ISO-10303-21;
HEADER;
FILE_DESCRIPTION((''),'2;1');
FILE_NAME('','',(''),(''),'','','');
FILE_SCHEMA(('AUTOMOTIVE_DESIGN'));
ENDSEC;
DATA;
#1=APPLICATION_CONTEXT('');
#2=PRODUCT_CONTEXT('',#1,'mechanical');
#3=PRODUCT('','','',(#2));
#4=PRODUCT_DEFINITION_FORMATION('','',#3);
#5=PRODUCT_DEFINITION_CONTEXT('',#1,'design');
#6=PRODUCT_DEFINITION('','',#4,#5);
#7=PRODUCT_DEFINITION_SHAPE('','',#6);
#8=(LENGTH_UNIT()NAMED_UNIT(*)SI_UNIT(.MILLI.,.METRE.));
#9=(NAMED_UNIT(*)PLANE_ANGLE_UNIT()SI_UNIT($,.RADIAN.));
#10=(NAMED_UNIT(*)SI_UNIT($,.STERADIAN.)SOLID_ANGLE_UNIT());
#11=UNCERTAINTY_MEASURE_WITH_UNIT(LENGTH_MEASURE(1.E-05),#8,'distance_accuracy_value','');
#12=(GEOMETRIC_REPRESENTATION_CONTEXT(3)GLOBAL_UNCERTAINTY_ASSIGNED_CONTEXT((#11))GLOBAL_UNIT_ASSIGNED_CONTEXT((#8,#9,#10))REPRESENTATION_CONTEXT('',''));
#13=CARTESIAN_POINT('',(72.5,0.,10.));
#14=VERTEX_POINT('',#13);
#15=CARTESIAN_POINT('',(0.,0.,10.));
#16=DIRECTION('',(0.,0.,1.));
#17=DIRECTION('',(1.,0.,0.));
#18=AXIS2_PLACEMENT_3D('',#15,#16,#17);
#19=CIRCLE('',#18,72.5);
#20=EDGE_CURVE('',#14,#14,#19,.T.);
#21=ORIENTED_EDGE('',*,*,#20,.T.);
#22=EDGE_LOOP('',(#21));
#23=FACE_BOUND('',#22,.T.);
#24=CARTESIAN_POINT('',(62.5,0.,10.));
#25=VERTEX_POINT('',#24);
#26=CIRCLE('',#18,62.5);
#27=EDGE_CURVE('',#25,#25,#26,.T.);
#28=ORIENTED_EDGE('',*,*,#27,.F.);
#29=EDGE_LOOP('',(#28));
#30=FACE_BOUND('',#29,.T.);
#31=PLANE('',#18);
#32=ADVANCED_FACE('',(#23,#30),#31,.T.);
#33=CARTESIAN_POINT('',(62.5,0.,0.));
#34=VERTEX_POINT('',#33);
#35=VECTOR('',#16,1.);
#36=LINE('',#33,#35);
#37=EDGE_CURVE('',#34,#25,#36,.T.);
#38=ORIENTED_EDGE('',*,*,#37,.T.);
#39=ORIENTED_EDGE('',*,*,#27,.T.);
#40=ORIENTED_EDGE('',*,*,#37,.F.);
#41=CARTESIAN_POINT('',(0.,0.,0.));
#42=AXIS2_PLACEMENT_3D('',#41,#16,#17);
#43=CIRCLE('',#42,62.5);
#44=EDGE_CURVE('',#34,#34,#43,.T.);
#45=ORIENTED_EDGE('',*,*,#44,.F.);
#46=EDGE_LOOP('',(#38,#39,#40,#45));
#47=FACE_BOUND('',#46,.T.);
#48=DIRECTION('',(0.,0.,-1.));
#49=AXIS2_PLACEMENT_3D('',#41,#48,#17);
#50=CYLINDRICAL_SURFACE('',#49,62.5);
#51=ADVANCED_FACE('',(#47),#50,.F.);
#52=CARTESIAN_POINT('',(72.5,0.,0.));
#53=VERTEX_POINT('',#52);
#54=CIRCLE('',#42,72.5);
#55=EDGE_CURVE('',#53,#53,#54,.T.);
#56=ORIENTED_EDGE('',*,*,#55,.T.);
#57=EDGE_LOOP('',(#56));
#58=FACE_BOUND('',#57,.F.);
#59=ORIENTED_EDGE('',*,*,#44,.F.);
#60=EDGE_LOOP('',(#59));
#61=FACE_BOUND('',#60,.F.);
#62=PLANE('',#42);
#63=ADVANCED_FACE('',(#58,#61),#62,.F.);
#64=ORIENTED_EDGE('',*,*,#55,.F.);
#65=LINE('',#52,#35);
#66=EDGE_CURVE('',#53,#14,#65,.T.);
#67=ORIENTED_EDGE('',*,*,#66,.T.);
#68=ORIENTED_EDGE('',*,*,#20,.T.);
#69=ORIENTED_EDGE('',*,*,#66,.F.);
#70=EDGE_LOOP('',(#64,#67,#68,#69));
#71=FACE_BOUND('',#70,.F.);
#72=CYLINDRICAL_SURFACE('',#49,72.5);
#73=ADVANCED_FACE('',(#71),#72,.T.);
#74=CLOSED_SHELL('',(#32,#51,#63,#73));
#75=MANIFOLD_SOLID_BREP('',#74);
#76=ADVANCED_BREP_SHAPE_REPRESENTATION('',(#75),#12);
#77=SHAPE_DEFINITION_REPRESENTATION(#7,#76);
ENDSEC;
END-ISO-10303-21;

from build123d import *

# Parameters (mm, degrees)
SZKIC1_R                    = 72.5
SZKIC1_R_2                  = 62.5
DODANIE_WYCI_GNI_CIE1_DEPTH = 10


with BuildPart() as part:
    # Szkic1 → Dodanie-wyciągnięcie1 (new body)
    with BuildSketch(Plane.XY):
        Circle(SZKIC1_R)
        Circle(SZKIC1_R_2, mode=Mode.SUBTRACT)
    extrude(amount=DODANIE_WYCI_GNI_CIE1_DEPTH)


solid = part.part
